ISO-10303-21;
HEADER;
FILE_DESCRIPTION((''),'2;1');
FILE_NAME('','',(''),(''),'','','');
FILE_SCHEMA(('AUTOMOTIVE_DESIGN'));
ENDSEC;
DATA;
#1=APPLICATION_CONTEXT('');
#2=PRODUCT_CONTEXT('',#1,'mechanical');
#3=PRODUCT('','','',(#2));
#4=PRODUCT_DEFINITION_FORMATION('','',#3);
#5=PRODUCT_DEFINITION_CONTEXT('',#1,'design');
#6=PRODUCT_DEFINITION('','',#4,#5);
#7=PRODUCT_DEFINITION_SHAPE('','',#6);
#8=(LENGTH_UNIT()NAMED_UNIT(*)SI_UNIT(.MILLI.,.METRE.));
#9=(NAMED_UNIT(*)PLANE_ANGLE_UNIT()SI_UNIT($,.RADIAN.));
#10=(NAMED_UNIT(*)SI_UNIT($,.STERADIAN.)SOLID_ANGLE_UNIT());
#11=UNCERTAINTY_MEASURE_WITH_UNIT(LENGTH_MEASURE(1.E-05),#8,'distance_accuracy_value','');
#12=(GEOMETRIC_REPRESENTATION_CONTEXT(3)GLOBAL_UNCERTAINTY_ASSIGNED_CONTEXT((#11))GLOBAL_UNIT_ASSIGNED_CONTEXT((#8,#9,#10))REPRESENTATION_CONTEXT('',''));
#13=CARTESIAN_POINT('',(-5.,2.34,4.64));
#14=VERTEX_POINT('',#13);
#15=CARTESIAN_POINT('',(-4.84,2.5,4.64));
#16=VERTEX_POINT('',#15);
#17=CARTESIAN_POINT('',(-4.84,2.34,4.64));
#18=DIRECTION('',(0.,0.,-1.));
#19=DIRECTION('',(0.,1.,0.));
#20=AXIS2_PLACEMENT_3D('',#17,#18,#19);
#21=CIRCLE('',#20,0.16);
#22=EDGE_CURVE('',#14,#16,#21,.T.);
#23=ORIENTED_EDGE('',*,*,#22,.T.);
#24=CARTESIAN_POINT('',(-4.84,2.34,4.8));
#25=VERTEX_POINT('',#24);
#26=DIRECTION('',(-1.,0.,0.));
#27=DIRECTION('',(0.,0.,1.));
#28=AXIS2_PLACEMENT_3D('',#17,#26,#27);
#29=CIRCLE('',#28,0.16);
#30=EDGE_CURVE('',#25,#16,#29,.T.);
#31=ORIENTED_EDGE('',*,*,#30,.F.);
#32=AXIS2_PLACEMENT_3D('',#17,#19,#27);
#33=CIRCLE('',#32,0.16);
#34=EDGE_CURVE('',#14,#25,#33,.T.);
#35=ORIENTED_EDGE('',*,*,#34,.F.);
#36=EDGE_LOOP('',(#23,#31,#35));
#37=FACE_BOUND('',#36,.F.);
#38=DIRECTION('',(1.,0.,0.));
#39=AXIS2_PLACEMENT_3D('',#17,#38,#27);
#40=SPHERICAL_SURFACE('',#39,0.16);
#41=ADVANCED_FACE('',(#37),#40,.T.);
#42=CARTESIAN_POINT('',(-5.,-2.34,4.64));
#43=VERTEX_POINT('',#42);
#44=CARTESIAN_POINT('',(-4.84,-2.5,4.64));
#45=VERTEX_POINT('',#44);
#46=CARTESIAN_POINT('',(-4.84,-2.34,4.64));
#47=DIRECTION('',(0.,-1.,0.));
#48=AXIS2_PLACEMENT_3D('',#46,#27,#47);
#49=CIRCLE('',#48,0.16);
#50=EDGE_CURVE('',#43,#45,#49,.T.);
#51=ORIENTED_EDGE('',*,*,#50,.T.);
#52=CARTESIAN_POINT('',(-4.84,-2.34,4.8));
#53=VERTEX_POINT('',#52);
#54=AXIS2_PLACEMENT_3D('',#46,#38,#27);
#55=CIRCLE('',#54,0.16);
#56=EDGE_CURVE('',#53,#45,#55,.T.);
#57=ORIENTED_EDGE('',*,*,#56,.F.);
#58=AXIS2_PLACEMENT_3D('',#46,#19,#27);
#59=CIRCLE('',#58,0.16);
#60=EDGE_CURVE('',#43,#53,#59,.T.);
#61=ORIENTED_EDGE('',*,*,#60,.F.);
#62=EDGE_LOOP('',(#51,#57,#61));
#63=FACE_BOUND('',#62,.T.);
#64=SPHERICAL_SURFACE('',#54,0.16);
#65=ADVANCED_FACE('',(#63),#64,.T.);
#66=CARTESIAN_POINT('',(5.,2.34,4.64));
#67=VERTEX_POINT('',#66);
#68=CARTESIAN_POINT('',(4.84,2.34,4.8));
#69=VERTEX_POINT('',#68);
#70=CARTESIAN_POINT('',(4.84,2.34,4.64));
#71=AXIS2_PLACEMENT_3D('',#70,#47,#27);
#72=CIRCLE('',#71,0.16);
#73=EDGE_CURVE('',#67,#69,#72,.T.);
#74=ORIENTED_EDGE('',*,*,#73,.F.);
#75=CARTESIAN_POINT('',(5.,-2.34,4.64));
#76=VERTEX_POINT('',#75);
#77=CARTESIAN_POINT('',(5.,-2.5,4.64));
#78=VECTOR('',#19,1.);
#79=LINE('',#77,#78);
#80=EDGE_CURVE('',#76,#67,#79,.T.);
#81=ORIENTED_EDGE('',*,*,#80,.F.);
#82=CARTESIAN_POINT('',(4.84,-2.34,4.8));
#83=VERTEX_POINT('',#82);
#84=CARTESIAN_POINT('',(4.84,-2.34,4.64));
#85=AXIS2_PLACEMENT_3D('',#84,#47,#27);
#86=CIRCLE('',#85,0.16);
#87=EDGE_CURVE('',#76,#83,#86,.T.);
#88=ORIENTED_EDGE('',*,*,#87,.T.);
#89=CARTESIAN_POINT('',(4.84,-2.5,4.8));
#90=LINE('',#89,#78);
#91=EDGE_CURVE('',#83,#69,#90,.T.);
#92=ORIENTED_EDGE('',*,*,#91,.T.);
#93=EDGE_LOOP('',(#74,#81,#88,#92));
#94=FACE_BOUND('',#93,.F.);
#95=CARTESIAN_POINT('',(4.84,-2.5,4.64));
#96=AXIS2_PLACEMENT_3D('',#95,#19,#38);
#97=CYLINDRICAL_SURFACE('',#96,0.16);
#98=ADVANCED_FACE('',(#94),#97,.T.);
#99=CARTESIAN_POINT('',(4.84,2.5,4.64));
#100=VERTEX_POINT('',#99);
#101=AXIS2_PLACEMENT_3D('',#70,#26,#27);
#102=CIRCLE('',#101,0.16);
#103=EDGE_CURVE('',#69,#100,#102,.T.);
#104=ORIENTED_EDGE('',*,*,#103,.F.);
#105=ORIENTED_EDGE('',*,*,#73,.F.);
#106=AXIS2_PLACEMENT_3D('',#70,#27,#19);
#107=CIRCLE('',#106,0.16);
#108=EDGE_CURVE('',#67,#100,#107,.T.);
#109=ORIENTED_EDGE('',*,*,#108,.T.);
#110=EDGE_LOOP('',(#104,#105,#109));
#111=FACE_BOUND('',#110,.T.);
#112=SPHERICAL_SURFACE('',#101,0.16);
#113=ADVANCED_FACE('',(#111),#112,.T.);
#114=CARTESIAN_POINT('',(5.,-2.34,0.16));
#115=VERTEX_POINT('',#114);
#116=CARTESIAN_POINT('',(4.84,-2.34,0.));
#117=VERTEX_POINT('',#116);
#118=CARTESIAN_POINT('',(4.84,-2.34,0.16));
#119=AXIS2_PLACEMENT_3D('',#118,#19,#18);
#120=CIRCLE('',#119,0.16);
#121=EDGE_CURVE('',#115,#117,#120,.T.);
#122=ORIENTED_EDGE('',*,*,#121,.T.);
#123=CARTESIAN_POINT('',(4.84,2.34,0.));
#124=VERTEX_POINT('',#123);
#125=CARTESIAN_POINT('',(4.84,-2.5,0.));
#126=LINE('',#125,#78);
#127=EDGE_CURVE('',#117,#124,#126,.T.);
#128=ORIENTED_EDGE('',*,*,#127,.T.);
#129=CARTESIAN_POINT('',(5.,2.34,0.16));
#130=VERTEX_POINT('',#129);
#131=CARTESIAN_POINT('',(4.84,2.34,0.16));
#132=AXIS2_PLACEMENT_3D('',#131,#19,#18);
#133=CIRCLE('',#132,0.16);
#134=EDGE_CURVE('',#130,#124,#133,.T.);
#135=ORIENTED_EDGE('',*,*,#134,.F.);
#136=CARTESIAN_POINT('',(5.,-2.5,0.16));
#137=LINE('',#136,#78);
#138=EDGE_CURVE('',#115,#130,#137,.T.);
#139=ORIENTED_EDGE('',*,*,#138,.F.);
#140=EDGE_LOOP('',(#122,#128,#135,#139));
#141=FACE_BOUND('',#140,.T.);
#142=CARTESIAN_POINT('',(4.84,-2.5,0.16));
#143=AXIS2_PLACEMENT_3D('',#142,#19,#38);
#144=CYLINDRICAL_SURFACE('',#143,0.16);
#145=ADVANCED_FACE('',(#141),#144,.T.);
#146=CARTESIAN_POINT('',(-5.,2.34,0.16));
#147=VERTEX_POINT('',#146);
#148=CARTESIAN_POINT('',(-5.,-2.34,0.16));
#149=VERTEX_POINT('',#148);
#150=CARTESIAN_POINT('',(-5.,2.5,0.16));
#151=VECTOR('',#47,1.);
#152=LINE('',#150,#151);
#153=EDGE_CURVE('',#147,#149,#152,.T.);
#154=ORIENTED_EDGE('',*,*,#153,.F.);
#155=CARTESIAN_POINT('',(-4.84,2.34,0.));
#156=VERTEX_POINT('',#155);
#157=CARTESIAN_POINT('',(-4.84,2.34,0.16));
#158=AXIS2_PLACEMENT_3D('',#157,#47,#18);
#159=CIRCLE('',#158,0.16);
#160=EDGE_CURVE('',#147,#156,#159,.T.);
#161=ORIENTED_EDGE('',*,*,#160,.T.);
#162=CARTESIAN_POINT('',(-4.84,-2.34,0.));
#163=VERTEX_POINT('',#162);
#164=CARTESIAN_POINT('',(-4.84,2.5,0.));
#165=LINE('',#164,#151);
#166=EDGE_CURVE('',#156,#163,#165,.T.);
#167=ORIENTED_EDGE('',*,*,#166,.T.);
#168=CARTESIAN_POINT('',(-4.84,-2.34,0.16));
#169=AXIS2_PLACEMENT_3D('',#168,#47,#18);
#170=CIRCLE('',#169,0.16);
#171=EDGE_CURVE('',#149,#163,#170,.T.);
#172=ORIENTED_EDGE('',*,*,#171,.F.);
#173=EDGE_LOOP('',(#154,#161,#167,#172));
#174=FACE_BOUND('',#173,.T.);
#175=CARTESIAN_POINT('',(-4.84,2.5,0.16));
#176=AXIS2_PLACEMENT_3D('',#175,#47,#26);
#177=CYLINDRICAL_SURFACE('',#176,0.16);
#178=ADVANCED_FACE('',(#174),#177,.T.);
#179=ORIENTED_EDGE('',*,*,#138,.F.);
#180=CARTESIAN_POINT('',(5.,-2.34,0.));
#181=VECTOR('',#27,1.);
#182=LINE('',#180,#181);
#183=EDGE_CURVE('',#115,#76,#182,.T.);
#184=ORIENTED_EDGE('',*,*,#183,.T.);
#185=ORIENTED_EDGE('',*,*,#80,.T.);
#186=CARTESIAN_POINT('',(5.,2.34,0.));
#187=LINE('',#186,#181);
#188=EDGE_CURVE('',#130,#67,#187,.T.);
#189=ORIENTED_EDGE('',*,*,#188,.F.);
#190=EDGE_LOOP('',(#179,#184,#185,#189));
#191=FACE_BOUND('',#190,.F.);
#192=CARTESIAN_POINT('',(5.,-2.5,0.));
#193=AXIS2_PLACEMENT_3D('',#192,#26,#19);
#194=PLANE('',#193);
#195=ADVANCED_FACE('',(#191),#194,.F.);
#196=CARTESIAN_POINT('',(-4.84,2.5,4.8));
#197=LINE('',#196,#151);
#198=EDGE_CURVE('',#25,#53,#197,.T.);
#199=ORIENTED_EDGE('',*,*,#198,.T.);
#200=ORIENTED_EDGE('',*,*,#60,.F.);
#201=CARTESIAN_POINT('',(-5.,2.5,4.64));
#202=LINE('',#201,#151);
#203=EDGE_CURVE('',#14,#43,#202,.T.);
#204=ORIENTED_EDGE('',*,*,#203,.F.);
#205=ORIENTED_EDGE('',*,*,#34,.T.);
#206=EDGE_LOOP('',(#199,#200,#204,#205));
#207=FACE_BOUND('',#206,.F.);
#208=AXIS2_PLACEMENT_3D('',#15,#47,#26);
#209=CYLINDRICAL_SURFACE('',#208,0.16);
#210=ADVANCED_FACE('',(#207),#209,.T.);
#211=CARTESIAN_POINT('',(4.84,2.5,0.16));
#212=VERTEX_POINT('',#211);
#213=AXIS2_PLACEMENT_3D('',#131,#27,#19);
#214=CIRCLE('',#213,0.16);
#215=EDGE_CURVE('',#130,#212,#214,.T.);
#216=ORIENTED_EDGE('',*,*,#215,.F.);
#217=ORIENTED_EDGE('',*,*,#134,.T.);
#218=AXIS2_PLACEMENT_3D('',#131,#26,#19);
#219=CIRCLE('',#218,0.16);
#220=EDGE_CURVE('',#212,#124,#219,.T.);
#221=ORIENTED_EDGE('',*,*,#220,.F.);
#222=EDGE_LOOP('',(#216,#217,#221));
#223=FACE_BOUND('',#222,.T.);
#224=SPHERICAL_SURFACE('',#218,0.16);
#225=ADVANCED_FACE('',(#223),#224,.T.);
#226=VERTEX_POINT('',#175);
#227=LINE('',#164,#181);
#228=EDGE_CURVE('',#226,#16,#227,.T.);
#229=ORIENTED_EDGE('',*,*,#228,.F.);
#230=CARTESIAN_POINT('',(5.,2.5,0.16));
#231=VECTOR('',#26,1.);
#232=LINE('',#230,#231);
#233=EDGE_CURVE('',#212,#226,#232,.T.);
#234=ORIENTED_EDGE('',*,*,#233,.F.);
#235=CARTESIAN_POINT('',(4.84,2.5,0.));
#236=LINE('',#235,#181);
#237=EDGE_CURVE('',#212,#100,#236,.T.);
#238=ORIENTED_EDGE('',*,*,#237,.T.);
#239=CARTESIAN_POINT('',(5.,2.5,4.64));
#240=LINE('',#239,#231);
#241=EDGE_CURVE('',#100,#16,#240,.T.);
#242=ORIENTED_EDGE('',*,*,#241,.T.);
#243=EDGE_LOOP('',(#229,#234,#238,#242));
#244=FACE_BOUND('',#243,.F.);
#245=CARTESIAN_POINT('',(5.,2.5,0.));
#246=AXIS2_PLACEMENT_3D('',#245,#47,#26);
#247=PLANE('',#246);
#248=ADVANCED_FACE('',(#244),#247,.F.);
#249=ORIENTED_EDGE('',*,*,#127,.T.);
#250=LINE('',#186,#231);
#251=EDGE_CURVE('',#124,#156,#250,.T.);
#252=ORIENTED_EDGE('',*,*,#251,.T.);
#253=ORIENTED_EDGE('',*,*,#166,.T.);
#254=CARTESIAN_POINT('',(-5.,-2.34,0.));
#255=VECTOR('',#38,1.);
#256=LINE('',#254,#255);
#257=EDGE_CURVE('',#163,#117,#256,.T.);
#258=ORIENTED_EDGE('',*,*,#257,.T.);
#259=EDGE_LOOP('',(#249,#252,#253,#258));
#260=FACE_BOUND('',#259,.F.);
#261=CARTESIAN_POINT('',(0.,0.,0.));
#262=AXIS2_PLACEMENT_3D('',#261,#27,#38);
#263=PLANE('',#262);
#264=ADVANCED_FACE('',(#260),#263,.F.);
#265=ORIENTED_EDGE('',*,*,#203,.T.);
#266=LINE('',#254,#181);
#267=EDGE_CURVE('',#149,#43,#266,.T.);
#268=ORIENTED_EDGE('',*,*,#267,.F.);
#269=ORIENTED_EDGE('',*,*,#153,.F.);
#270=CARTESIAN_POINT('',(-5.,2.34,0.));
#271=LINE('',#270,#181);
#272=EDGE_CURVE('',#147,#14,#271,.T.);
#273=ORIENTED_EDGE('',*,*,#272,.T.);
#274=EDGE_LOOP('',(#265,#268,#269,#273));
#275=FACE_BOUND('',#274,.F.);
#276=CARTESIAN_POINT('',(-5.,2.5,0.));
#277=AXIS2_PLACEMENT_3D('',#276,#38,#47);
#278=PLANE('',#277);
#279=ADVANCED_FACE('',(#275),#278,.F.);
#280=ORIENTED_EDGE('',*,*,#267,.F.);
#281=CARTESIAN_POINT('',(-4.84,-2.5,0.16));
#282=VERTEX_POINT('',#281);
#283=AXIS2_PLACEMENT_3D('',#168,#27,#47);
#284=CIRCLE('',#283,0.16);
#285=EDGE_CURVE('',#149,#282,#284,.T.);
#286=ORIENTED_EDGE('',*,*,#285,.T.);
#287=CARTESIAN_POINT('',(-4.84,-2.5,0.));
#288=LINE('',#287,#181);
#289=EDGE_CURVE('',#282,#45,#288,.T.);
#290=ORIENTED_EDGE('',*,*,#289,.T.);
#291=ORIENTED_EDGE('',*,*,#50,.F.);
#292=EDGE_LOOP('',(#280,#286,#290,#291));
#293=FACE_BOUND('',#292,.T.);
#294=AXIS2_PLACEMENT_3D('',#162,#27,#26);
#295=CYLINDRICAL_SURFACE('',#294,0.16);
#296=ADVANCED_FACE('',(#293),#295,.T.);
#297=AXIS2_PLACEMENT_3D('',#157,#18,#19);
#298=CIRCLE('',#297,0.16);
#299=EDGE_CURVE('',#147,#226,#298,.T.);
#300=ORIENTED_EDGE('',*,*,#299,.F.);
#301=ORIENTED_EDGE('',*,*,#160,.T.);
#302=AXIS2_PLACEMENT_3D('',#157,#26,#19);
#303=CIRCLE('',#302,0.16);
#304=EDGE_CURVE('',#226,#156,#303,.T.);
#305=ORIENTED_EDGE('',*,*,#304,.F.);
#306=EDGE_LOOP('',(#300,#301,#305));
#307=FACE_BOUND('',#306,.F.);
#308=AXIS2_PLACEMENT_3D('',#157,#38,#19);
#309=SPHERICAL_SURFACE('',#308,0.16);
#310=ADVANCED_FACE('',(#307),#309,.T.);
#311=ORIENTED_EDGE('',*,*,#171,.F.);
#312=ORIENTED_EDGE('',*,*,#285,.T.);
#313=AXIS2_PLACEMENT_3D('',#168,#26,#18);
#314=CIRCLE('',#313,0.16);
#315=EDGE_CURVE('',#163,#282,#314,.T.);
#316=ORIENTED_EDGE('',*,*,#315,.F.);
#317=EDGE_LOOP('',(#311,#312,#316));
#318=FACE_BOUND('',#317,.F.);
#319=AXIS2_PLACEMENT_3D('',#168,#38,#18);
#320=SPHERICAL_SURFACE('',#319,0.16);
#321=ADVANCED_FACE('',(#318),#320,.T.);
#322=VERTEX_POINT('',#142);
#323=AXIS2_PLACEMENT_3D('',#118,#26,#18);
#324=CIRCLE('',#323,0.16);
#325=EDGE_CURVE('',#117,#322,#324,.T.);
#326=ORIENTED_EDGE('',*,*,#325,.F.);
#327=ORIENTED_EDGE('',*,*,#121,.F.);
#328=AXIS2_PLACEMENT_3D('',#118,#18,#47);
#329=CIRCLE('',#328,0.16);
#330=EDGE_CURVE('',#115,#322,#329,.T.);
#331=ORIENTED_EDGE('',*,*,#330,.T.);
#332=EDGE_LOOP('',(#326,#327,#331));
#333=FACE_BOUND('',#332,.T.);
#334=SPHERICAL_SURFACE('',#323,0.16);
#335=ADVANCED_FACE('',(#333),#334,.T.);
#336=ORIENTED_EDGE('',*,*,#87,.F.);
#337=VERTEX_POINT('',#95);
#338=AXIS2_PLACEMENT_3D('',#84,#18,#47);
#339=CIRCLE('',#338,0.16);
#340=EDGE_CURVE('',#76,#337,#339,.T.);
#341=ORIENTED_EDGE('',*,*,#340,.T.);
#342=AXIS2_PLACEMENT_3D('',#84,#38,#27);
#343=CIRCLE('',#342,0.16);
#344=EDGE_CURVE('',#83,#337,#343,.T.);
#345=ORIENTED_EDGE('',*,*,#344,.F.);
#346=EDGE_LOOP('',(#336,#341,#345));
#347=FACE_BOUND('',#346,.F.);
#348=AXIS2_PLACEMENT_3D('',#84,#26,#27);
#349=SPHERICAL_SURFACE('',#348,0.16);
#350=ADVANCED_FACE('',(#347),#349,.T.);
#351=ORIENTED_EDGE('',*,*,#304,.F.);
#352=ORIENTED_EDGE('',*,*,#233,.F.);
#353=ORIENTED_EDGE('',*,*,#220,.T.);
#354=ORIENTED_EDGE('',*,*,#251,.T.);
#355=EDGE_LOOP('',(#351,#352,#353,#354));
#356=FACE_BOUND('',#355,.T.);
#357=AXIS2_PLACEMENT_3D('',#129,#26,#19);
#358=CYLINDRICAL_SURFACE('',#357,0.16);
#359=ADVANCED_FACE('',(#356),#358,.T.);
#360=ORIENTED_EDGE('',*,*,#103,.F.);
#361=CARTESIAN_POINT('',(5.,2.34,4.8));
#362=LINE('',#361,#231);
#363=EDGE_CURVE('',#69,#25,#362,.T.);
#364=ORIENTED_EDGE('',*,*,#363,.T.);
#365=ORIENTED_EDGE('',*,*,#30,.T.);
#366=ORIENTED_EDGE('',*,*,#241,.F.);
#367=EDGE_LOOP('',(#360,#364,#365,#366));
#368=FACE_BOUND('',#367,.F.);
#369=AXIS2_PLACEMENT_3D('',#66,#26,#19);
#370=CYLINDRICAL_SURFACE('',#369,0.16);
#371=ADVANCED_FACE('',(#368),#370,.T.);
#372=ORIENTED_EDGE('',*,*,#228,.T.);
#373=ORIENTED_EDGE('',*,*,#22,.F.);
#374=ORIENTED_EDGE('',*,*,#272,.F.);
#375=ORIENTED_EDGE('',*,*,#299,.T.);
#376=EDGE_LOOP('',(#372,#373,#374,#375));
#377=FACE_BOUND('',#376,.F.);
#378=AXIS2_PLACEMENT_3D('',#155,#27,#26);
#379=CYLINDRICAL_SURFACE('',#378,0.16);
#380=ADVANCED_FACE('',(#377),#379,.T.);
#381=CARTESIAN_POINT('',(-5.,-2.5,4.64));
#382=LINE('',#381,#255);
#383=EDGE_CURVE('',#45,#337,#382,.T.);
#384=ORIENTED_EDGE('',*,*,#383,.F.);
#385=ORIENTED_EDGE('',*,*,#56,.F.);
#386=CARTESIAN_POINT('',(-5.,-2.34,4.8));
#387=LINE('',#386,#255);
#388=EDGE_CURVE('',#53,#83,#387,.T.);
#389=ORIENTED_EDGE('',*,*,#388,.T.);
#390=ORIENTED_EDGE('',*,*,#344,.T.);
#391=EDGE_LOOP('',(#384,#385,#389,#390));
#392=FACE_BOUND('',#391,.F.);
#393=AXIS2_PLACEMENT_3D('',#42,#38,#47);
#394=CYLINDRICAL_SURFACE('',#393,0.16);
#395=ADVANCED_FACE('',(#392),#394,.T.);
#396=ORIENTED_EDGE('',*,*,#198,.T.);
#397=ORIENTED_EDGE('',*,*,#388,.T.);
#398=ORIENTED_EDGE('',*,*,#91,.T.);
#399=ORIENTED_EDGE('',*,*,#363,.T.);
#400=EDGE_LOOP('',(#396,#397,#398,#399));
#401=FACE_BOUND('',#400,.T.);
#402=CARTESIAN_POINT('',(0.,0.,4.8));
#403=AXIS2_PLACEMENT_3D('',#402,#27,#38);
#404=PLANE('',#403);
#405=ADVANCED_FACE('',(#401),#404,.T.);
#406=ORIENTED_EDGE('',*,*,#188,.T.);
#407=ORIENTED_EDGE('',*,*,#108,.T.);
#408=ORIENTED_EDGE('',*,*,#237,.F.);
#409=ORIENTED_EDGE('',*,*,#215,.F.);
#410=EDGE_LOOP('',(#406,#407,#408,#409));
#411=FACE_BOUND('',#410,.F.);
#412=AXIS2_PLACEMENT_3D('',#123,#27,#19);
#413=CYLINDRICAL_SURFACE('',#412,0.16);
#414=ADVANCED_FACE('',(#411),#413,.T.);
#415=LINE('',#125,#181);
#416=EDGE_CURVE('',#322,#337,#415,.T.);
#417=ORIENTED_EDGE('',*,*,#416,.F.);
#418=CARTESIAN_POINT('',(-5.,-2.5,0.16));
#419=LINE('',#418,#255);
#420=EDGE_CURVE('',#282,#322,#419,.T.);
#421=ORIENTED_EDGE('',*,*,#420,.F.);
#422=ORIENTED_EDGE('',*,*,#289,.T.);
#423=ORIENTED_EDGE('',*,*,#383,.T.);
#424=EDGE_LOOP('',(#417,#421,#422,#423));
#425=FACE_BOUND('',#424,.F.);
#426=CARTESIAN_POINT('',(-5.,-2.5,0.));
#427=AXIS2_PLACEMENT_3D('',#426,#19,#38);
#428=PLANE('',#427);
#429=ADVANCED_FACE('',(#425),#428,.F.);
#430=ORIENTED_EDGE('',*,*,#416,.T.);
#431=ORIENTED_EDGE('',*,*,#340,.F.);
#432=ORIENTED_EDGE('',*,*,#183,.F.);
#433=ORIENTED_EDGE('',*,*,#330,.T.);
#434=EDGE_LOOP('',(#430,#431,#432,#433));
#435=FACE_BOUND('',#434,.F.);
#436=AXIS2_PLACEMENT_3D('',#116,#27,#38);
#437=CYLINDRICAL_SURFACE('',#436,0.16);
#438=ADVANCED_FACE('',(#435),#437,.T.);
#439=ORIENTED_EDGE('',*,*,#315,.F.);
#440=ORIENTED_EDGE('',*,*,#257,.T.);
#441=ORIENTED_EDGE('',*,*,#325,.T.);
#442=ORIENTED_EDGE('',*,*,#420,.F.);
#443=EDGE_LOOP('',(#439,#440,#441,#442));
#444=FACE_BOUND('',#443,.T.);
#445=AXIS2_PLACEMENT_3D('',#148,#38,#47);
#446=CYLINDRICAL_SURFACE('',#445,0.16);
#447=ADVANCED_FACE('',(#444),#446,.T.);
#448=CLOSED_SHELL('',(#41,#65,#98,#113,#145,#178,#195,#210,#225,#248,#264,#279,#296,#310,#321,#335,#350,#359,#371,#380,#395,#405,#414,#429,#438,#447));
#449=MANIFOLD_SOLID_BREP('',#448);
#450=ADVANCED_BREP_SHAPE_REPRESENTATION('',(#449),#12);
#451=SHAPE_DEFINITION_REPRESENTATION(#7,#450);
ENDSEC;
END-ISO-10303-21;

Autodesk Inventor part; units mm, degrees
ref_plane "YZ Plane" through (0, 0, 0) normal (1, 0, 0) x (0, 1, 0)
ref_plane "XZ Plane" through (0, 0, 0) normal (0, 1, 0) x (-1, 0, 0)
ref_plane "XY Plane" through (0, 0, 0) normal (0, 0, 1) x (1, 0, 0)
sketch "草圖1" plane through (0, 0, 0) normal (0, 0, 1) x (1, 0, 0)
  line L0 (-5, -2.5) -> (5, -2.5)
  line L1 (5, -2.5) -> (5, 2.5)
  line L2 (5, 2.5) -> (-5, 2.5)
  line L3 (-5, 2.5) -> (-5, -2.5)
  line L4 (-5, -2.5) -> (5, 2.5) construction
  line L5 (5, -2.5) -> (-5, 2.5) construction
  point P0 (0, 0)
  dimension "d0" = 10
  dimension "d1" = 5
extrude "擠出1" add sketch "草圖1" along normal blind 4.8
fillet "圓角1" radius 0.16 12 edges at (0, 2.5, 4.8) (0, -2.5, 4.8) (0, 2.5, 0) (0, -2.5, 0) (5, 0, 4.8) (5, 2.5, 2.4) (5, 0, 0) (5, -2.5, 2.4) (-5, 0, 4.8) (-5, 2.5, 2.4) (-5, 0, 0) (-5, -2.5, 2.4)
properties part number "第一級_軸與太陽齒_鍵"
